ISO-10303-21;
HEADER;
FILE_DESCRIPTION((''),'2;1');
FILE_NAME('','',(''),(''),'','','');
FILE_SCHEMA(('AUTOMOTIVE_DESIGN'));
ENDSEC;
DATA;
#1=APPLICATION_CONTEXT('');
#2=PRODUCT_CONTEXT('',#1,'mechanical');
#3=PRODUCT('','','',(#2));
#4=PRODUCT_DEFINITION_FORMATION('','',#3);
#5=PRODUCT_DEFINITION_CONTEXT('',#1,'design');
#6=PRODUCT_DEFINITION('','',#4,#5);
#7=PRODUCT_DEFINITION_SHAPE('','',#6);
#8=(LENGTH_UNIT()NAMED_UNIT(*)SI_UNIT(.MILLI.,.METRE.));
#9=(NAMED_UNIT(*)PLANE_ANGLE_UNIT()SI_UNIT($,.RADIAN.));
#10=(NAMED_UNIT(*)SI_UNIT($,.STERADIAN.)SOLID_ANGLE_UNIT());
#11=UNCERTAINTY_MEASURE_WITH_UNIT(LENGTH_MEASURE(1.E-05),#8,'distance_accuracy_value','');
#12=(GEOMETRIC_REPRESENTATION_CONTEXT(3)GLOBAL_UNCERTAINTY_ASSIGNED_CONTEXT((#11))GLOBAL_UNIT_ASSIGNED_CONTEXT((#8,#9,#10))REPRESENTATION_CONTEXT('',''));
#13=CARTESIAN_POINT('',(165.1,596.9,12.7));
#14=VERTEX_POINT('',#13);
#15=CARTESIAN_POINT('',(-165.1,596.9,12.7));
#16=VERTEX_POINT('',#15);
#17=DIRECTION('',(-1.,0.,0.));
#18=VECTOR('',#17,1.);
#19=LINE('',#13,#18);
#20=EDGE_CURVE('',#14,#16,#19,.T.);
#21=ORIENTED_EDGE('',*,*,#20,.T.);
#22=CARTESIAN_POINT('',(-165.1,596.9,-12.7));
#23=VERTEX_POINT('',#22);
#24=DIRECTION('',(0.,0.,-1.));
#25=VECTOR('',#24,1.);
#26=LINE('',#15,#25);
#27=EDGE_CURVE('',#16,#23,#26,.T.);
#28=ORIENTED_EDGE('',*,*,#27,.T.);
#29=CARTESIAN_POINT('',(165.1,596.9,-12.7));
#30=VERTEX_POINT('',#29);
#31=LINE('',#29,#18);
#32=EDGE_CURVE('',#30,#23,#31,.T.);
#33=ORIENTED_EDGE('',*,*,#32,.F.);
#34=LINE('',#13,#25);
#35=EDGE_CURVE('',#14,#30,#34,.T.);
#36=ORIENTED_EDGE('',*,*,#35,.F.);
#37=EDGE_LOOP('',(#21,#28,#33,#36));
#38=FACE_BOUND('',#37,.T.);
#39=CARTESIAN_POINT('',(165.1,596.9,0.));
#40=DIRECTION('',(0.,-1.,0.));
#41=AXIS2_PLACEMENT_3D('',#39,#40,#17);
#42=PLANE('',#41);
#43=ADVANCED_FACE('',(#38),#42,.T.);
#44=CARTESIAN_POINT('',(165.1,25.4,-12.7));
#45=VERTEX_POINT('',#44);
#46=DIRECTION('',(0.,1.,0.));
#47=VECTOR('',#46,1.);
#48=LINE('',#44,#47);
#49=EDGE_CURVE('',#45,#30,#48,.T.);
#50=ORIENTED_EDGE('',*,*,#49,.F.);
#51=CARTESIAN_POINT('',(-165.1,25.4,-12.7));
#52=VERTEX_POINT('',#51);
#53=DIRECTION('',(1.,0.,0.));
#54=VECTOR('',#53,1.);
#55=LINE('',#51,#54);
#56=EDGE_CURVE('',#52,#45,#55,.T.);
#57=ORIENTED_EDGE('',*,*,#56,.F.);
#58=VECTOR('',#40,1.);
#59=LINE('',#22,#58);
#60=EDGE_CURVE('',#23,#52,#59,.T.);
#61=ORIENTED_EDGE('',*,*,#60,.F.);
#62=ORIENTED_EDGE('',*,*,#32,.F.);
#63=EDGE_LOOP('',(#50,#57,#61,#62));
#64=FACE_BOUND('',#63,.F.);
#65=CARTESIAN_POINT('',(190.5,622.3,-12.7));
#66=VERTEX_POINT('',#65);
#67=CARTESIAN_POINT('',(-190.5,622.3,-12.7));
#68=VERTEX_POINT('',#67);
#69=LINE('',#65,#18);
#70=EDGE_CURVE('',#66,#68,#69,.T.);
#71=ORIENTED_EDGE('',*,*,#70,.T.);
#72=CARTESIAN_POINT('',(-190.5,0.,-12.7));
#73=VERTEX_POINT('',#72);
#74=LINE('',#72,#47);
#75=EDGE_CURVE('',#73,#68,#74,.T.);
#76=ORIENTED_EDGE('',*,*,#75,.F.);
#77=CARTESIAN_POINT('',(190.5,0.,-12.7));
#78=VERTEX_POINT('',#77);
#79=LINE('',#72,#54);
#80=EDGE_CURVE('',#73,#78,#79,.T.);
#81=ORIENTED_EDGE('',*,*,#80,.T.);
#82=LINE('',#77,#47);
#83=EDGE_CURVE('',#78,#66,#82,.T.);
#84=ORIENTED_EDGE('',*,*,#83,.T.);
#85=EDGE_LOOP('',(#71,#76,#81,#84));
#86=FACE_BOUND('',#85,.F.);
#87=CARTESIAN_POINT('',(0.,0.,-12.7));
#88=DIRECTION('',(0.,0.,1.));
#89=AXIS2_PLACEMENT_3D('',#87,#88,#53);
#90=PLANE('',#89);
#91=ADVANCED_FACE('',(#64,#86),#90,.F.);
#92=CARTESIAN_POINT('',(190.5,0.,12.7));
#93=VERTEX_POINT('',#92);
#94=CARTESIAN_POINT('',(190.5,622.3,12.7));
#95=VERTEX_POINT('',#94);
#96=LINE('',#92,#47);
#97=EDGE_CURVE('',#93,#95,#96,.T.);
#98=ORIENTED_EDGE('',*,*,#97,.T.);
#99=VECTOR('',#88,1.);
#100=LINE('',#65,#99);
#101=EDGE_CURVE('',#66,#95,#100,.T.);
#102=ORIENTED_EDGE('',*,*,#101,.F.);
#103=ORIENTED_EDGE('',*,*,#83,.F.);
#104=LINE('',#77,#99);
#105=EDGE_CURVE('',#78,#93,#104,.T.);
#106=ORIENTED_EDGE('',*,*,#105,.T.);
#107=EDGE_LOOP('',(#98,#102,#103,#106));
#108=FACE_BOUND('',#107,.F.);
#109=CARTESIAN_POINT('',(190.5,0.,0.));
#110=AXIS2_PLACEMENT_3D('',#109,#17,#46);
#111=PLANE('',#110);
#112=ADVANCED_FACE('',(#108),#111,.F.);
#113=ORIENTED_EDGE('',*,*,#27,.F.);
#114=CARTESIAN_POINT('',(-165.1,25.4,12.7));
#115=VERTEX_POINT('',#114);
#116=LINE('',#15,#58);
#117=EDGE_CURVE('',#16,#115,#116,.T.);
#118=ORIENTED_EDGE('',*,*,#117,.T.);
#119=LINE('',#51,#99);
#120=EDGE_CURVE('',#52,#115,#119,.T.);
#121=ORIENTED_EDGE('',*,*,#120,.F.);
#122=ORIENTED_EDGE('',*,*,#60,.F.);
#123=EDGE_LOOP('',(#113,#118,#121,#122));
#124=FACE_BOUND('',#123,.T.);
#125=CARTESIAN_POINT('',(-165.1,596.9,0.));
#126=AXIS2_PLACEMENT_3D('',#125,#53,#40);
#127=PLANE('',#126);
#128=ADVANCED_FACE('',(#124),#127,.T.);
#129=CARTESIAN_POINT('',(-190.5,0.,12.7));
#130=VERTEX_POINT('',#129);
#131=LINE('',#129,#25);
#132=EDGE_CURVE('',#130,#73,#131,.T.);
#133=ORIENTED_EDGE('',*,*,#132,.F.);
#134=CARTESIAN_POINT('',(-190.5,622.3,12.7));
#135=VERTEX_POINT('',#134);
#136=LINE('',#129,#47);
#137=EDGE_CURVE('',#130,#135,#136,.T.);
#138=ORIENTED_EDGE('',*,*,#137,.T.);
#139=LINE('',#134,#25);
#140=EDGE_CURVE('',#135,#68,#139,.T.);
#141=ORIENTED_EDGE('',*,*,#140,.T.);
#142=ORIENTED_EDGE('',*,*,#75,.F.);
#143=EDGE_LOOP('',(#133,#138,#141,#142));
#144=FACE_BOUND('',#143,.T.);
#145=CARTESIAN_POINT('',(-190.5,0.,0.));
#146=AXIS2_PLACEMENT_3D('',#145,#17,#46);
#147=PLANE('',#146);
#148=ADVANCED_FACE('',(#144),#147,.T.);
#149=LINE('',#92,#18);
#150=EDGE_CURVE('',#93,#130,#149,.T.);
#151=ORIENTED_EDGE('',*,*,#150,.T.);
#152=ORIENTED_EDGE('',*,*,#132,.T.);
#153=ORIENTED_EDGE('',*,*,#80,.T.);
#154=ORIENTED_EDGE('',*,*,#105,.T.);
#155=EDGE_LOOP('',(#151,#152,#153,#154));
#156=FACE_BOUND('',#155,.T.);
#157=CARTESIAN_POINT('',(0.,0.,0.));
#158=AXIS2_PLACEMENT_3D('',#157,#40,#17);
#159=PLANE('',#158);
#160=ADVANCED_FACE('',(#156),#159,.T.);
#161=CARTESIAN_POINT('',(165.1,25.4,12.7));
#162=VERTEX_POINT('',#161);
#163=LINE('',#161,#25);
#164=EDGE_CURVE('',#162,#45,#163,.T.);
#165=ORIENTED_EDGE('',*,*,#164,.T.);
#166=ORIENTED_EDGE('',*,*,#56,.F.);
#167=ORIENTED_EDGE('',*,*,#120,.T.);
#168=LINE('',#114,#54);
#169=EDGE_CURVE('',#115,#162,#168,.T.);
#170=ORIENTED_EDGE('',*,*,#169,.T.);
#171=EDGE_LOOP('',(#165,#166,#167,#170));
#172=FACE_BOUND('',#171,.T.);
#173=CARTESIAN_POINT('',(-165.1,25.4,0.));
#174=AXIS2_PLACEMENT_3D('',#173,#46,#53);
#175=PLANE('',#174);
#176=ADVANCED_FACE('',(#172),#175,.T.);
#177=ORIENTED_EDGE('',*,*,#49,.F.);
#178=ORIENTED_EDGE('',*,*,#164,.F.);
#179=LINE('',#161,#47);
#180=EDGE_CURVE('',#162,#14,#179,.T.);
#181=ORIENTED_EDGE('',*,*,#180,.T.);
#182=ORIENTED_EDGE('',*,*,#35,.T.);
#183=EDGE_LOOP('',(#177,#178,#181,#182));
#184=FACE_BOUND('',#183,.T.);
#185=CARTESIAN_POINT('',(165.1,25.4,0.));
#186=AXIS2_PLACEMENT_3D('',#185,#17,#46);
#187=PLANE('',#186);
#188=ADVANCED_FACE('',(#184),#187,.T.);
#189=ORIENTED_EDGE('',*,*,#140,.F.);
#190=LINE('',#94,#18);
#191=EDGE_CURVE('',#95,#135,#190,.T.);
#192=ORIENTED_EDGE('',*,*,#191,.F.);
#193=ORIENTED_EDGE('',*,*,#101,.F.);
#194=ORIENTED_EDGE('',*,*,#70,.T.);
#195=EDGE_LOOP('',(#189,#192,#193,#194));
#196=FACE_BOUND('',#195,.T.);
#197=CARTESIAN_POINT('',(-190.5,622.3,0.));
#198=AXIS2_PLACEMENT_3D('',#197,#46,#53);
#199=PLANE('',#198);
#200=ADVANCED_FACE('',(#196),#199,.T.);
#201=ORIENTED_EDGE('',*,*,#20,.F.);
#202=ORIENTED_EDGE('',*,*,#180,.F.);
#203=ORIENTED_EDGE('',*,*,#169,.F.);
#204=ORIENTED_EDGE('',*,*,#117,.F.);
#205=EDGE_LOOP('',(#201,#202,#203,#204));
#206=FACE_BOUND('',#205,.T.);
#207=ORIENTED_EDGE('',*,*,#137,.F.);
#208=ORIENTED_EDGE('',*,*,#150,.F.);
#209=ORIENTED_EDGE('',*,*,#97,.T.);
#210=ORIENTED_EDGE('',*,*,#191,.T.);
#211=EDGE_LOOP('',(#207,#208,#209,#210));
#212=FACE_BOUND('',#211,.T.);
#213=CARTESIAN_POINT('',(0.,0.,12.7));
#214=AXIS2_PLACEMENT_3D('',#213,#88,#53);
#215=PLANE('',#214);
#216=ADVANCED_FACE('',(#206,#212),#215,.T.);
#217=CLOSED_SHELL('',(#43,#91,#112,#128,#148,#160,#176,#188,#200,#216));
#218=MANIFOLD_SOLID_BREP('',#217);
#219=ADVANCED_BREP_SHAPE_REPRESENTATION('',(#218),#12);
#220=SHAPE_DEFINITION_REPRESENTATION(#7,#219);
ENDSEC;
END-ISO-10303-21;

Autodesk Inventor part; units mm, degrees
ref_plane "YZ Plane" through (0, 0, 0) normal (1, 0, 0) x (0, 1, 0)
ref_plane "XZ Plane" through (0, 0, 0) normal (0, 1, 0) x (-1, 0, 0)
ref_plane "XY Plane" through (0, 0, 0) normal (0, 0, 1) x (1, 0, 0)
sketch "Sketch1" plane through (0, 0, 0) normal (0, 0, 1) x (1, 0, 0)
  line L0 (0, 0) -> (190.5, 0)
  line L1 (190.5, 0) -> (190.5, 622.3)
  line L2 (190.5, 622.3) -> (0, 622.3)
  line L3 (0, 0) -> (0, 622.3) construction
  line L4 (0, 0) -> (-190.5, 0)
  line L5 (-190.5, 0) -> (-190.5, 622.3)
  line L6 (-190.5, 622.3) -> (0, 622.3)
  line L7 (-165.1, 25.4) -> (165.1, 25.4)
  line L8 (165.1, 25.4) -> (165.1, 596.9)
  line L9 (165.1, 596.9) -> (-165.1, 596.9)
  line L10 (-165.1, 596.9) -> (-165.1, 25.4)
  dimension "d1" = 622.3
  dimension "d2" = 381
  dimension "d3" = 25.4
  dimension "d4" = 25.4
  dimension "d5" = 25.4
  dimension "d6" = 25.4
extrude "Extrusion1" add sketch "Sketch1" along normal mid plane 25.4
properties part number "primate1stStageForShortRobot"
